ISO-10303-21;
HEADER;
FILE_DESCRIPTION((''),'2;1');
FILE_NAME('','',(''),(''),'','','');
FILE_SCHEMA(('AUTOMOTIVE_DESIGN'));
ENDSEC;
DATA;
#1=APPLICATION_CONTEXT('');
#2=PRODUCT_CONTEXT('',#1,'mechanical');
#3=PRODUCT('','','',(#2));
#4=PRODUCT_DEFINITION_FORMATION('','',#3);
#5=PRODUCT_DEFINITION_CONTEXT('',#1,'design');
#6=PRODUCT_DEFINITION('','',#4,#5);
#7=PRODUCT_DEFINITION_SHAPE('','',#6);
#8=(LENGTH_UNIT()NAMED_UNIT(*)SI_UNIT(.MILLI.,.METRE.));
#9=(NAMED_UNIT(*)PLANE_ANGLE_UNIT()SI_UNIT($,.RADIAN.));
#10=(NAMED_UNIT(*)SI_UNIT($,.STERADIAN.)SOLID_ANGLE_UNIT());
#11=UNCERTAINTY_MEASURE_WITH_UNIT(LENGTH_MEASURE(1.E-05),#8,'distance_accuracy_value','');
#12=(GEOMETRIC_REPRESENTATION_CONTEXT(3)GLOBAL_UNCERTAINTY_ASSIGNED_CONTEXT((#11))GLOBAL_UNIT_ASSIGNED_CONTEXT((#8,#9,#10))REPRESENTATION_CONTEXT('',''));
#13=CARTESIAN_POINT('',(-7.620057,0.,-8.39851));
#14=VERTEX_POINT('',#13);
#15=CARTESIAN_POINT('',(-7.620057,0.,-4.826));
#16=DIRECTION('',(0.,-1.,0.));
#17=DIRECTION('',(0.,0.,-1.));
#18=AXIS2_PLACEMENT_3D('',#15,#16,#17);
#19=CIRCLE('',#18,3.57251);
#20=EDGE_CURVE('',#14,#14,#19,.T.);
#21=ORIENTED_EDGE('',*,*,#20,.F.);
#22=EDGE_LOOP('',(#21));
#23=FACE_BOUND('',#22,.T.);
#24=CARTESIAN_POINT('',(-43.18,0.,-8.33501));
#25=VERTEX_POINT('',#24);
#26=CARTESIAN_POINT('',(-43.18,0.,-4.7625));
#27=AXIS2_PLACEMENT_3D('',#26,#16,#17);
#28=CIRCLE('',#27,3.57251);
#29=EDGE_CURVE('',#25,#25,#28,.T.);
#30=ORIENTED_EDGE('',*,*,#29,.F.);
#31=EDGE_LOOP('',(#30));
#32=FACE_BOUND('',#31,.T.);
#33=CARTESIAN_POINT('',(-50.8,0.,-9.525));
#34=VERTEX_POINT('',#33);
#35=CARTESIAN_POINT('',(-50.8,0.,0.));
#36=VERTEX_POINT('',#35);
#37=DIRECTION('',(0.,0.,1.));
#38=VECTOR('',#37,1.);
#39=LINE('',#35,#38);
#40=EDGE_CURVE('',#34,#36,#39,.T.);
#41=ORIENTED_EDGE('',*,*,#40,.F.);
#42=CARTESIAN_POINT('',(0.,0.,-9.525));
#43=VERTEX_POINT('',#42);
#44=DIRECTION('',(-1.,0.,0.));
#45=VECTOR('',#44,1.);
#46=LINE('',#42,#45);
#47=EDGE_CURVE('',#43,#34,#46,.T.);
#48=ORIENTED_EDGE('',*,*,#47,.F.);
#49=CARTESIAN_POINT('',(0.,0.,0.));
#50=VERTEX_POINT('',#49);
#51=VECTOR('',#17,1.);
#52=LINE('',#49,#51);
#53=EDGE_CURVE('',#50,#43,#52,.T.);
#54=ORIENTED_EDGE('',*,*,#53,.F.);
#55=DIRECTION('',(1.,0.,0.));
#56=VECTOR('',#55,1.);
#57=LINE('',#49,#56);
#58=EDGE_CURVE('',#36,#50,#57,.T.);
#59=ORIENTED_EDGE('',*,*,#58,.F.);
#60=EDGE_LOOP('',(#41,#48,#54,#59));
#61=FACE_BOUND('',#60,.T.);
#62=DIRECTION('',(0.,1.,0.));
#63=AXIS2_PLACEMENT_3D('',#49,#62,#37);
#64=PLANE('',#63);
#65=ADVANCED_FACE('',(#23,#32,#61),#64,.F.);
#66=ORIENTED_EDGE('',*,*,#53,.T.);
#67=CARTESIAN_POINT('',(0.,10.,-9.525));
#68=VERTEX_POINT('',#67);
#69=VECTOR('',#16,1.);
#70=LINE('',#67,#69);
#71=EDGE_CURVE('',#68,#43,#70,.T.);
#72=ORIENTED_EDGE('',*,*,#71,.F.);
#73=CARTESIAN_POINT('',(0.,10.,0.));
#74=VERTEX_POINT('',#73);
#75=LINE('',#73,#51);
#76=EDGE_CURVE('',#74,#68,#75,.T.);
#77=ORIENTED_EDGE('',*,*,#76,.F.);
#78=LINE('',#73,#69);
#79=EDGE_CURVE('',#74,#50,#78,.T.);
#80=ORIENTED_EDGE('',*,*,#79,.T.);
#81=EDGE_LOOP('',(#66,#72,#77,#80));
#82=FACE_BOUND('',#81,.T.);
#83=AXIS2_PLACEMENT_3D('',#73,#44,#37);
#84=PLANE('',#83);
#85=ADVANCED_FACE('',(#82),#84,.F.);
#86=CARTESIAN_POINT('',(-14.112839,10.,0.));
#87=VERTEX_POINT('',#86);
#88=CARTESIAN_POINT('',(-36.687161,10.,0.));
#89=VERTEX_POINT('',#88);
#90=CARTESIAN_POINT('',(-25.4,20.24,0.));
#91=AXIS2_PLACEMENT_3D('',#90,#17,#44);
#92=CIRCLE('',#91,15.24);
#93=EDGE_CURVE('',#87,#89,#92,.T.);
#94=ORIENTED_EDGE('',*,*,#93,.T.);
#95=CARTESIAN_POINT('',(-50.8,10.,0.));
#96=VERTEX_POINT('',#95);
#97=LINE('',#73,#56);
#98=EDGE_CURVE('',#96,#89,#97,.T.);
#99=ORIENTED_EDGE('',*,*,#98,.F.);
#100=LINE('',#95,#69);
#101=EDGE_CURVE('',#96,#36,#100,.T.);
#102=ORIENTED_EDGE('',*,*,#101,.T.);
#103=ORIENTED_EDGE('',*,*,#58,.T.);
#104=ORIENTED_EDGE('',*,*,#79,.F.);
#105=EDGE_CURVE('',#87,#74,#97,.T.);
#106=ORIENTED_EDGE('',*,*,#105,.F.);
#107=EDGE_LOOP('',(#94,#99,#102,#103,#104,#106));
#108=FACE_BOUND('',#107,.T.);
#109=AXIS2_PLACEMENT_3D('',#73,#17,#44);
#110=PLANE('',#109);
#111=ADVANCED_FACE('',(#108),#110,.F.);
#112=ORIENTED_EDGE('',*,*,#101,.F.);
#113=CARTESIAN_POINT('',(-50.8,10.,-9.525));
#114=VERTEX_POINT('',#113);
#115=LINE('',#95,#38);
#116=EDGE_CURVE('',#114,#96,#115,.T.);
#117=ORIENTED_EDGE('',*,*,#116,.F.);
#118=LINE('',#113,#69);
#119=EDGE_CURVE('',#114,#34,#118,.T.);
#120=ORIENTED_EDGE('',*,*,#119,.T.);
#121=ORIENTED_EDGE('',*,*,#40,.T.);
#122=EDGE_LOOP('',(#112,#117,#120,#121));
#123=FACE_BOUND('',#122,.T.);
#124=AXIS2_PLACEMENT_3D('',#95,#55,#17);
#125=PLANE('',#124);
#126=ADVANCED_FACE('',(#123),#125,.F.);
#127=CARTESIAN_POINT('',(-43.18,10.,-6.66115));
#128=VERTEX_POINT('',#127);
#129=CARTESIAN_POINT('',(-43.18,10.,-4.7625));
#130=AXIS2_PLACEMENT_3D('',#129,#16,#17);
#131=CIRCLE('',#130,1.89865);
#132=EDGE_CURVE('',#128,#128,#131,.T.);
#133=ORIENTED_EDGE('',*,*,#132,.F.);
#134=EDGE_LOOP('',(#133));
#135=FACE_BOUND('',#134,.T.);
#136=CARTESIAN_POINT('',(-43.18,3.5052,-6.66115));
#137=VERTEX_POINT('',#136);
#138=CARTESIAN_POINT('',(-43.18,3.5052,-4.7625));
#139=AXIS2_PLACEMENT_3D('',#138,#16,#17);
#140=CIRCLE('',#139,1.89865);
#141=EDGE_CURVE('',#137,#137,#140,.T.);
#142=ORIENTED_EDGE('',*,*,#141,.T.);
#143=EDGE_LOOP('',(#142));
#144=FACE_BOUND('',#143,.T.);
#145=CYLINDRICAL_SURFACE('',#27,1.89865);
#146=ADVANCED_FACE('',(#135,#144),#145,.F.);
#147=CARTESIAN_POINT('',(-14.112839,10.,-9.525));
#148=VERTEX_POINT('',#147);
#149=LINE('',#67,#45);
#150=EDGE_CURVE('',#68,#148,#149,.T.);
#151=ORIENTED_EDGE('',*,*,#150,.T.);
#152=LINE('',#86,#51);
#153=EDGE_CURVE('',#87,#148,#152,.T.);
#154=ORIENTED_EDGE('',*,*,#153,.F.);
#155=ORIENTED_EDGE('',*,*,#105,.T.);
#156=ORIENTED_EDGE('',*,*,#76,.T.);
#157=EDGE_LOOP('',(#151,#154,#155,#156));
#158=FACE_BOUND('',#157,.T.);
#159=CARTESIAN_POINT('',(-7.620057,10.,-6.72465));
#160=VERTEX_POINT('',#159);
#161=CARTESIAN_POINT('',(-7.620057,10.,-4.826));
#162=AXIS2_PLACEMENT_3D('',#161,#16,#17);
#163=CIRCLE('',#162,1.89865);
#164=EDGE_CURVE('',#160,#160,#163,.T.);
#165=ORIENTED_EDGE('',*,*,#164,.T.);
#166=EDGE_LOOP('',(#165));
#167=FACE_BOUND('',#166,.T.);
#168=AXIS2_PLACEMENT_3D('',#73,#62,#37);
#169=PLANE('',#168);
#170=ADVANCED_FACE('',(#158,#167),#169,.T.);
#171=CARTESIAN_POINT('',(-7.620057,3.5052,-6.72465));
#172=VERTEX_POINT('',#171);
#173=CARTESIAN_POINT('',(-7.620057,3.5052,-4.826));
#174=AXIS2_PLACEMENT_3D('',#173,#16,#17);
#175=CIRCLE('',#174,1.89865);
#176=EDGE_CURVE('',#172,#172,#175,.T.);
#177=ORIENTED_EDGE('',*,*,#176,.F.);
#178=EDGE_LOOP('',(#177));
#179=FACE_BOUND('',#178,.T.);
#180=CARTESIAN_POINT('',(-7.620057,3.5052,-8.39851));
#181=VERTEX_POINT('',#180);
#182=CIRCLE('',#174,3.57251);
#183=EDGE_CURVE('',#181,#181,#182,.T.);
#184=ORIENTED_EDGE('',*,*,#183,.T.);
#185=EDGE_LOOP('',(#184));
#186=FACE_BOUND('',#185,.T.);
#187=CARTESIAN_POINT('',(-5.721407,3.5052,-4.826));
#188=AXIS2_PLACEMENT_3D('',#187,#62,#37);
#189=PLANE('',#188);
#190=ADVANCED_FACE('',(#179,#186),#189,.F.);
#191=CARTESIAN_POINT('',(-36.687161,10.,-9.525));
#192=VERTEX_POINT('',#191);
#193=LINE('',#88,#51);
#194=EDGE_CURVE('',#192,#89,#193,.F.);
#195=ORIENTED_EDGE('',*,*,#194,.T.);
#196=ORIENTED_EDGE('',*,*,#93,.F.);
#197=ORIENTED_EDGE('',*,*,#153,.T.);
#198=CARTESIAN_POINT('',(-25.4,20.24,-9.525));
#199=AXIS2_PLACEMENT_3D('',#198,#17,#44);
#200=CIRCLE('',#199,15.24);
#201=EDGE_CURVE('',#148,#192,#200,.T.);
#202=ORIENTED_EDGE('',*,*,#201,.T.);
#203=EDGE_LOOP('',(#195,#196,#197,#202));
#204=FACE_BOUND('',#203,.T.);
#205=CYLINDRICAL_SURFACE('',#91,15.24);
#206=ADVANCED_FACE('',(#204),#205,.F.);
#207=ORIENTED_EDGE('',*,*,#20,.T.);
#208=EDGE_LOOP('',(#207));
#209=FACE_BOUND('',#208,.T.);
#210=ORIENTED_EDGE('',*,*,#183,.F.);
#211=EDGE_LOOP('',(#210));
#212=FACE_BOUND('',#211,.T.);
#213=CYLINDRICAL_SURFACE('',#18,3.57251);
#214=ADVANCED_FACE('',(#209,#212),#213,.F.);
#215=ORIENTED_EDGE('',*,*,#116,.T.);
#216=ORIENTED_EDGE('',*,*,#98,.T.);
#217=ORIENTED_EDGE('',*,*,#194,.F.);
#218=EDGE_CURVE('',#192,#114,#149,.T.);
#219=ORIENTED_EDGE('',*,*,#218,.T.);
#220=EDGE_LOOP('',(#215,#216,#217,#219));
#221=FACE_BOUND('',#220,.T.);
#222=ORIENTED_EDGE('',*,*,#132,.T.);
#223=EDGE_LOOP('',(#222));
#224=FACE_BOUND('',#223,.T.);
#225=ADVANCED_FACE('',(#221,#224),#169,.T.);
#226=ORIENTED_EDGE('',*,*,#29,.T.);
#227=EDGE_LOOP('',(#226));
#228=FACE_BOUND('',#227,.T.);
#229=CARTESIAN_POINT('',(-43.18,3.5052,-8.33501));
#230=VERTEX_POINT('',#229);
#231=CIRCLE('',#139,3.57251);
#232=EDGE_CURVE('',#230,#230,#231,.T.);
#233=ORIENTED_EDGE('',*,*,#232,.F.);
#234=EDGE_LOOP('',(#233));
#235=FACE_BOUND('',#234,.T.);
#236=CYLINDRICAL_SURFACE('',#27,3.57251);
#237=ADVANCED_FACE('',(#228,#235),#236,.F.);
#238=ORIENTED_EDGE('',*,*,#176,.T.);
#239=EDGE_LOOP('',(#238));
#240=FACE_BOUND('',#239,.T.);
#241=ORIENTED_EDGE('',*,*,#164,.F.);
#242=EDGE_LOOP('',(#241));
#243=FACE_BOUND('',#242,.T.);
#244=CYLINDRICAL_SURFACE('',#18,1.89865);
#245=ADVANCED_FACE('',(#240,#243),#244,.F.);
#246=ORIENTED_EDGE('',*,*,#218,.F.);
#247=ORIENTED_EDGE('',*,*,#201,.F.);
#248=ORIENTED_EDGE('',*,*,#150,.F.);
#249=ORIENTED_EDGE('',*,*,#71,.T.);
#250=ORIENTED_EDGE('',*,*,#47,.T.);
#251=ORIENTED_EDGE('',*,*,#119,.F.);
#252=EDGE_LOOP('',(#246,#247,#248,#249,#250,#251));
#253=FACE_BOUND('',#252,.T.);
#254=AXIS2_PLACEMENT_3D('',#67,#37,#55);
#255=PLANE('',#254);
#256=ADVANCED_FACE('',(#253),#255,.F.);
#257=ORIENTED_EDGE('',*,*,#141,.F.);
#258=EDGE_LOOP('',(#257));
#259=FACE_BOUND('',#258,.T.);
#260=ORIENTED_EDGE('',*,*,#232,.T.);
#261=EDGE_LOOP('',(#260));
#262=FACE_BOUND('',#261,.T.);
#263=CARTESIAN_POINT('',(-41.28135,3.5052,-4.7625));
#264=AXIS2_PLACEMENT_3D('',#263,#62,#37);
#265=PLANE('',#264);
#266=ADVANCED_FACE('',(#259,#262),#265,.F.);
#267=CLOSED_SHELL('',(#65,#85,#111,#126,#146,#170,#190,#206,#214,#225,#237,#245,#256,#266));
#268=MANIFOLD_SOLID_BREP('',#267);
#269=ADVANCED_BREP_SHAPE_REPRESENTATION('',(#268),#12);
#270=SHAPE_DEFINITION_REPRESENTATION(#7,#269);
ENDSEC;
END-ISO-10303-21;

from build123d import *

# Parameters (mm, degrees)
SKETCH1_W                                      = 50.8
SKETCH1_H                                      = 9.525
EXTRUDE1_DEPTH                                 = 10
SKETCH2_R                                      = 15.24
CUT_EXTRUDE1_DEPTH                             = 10.525
CBORE_FOR_6_SOCKET_HEAD_CAP_SCREW1_D           = 3.7973
CBORE_FOR_6_SOCKET_HEAD_CAP_SCREW1_CBORE_D     = 7.14502
CBORE_FOR_6_SOCKET_HEAD_CAP_SCREW1_CBORE_DEPTH = 3.5052


with BuildPart() as part:
    # Sketch1 → Extrude1 (new body)
    with BuildSketch(Plane(origin=(0, 0, 0), x_dir=(1, 0, 0), z_dir=(0, 1, 0))):
        with Locations((-25.4, 4.7625)):
            Rectangle(SKETCH1_W, SKETCH1_H)
    extrude(amount=EXTRUDE1_DEPTH)

    # Sketch2 → Cut-Extrude1 (cut, through all)
    with BuildSketch(Plane(origin=(0, 0, -9.525), x_dir=(-1, 0, 0), z_dir=(0, 0, -1))):
        with Locations((25.4, 20.24)):
            Circle(SKETCH2_R)
    extrude(amount=-CUT_EXTRUDE1_DEPTH, mode=Mode.SUBTRACT)

    # CBORE for #6 Socket Head Cap Screw1 (through all)
    with Locations(Plane(origin=(-43.18, 0, -4.7625), x_dir=(0, 0, -1), z_dir=(0, -1, 0))):
        with Locations((0, 0), (0.0635, 35.559943304)):
            CounterBoreHole(CBORE_FOR_6_SOCKET_HEAD_CAP_SCREW1_D / 2, CBORE_FOR_6_SOCKET_HEAD_CAP_SCREW1_CBORE_D / 2, CBORE_FOR_6_SOCKET_HEAD_CAP_SCREW1_CBORE_DEPTH)


solid = part.part
